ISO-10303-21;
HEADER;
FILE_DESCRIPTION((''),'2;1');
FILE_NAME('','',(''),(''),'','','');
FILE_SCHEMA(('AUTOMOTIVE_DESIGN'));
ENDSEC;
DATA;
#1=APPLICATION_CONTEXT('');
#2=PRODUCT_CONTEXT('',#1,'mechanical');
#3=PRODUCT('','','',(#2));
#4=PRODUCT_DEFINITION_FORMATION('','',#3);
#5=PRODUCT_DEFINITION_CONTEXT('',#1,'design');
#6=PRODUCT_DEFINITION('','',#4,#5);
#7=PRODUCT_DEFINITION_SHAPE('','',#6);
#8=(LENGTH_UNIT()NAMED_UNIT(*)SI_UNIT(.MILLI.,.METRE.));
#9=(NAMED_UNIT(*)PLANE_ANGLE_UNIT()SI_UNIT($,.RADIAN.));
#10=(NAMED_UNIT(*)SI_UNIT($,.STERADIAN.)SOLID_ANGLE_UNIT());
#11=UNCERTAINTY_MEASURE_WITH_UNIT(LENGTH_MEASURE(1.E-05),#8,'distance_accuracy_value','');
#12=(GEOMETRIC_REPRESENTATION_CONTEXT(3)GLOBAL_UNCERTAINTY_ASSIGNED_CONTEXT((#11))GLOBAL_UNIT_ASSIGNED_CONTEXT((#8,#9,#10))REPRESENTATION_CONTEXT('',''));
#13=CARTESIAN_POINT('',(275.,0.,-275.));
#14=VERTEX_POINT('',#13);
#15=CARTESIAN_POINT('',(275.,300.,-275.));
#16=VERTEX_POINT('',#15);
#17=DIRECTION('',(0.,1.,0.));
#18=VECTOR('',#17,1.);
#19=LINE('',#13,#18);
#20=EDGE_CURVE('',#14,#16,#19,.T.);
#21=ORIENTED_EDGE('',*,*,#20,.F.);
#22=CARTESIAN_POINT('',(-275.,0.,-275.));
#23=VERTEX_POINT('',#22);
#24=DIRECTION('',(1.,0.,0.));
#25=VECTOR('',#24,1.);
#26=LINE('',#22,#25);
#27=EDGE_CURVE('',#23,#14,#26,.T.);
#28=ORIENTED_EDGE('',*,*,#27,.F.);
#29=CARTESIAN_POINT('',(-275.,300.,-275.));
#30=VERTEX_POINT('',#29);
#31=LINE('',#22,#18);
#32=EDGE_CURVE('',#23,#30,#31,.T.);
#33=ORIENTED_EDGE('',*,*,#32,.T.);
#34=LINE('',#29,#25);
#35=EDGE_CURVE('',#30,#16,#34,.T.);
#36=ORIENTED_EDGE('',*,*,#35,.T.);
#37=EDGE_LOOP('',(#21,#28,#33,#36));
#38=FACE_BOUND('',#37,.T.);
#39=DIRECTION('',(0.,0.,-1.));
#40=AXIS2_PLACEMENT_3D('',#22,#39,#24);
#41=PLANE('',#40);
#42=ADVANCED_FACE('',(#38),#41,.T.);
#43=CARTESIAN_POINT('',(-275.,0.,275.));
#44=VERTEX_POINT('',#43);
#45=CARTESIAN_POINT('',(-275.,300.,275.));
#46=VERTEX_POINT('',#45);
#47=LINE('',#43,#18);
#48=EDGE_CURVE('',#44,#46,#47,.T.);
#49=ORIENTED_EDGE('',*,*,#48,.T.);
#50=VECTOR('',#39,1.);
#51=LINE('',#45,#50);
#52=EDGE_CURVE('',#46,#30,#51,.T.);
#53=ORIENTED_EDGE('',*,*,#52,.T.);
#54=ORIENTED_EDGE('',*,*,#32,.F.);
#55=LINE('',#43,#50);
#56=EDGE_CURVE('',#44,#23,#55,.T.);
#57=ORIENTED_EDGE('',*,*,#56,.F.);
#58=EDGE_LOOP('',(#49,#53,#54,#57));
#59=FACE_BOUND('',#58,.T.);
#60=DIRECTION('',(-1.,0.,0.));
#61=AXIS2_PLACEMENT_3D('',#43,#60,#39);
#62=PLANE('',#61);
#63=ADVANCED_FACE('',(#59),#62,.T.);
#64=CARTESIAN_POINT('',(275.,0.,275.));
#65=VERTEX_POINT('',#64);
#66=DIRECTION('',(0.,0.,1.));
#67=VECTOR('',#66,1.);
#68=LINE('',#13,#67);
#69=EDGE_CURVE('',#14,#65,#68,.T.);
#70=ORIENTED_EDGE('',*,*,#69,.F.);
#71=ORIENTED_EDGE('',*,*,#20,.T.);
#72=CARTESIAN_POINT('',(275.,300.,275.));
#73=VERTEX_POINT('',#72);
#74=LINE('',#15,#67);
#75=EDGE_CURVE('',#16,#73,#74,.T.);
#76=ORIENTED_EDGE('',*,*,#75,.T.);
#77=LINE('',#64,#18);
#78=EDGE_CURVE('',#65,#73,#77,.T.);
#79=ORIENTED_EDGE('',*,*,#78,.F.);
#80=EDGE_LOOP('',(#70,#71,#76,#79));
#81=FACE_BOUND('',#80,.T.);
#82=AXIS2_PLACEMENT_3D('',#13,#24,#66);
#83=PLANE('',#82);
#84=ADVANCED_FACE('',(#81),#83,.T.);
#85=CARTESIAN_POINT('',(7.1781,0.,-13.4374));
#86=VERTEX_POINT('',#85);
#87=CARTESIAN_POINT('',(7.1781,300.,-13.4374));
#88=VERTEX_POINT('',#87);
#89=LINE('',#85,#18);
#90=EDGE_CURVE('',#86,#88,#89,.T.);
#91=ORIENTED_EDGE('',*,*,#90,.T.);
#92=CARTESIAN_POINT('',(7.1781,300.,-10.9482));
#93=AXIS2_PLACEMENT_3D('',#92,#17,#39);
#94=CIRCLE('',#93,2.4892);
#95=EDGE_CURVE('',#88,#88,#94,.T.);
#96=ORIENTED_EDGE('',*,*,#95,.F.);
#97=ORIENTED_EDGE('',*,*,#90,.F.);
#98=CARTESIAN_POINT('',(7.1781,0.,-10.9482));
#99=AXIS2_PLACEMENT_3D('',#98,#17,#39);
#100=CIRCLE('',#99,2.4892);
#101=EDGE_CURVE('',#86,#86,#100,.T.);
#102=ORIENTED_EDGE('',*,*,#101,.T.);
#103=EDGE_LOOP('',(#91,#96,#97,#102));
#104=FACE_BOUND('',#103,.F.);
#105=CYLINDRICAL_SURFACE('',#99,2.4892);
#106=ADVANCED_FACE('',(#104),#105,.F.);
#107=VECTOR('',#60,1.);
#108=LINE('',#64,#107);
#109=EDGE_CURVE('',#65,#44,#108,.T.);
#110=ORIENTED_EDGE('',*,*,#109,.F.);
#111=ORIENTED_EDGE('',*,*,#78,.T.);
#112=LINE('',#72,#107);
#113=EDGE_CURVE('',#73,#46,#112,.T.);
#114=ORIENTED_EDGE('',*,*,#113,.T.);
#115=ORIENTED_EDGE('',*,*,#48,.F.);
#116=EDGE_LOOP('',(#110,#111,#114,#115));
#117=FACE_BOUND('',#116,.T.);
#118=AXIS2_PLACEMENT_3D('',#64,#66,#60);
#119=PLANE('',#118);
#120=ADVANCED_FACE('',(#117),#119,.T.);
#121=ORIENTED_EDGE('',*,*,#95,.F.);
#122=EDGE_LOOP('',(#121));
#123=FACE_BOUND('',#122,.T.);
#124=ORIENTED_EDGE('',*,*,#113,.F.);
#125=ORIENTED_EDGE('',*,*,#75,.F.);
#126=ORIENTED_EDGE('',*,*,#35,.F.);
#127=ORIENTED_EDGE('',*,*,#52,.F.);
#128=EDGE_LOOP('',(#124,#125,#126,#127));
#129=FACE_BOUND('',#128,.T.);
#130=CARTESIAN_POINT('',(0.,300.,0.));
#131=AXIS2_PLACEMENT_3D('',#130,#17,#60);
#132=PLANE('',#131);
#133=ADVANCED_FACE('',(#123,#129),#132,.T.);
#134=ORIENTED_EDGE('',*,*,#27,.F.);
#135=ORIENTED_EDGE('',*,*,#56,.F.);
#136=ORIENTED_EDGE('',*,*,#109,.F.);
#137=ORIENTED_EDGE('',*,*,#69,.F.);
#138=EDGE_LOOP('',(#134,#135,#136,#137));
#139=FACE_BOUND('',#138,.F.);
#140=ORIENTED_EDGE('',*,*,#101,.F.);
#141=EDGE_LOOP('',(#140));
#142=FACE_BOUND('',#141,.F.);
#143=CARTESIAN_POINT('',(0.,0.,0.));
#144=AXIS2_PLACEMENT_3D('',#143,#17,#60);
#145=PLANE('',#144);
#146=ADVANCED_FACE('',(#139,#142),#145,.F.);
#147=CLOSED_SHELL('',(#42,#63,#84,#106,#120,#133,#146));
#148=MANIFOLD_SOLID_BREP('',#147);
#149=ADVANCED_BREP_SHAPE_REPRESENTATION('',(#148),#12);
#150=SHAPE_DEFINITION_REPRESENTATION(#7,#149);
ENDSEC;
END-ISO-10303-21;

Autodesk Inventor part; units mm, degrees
ref_plane "YZ Plane" through (0, 0, 0) normal (1, 0, 0) x (0, 1, 0)
ref_plane "XZ Plane" through (0, 0, 0) normal (0, 1, 0) x (-1, 0, 0)
ref_plane "XY Plane" through (0, 0, 0) normal (0, 0, 1) x (1, 0, 0)
sketch "Esquisse1" plane through (0, 0, 0) normal (0, 1, 0) x (-1, 0, 0)
  line L0 (-275, 275) -> (275, 275)
  line L1 (275, 275) -> (275, -275)
  line L2 (275, -275) -> (-275, -275)
  line L3 (-275, -275) -> (-275, 275)
  line L4 (-275, 275) -> (275, -275) construction
  line L5 (275, 275) -> (-275, -275) construction
  point P0 (0, 0)
  dimension "d0" = 550
  dimension "d1" = 550
extrude "Extrusion1" add sketch "Esquisse1" along normal blind 300
sketch "Esquisse2" plane through (0, 0, 0) normal (0, -1, 0) x (1, 0, 0)
  point P0 (0, 0)
  point P1 (7.1781, -10.9482)
hole "Perçage1" at (7.1781, 0, -10.9482) direction (0, 1, 0) diameter 4.9784 end through all thread size "1/4-20 UNC" class "1B" standard "ANSI Unified Screw Threads"
properties part number "bloc percé"
